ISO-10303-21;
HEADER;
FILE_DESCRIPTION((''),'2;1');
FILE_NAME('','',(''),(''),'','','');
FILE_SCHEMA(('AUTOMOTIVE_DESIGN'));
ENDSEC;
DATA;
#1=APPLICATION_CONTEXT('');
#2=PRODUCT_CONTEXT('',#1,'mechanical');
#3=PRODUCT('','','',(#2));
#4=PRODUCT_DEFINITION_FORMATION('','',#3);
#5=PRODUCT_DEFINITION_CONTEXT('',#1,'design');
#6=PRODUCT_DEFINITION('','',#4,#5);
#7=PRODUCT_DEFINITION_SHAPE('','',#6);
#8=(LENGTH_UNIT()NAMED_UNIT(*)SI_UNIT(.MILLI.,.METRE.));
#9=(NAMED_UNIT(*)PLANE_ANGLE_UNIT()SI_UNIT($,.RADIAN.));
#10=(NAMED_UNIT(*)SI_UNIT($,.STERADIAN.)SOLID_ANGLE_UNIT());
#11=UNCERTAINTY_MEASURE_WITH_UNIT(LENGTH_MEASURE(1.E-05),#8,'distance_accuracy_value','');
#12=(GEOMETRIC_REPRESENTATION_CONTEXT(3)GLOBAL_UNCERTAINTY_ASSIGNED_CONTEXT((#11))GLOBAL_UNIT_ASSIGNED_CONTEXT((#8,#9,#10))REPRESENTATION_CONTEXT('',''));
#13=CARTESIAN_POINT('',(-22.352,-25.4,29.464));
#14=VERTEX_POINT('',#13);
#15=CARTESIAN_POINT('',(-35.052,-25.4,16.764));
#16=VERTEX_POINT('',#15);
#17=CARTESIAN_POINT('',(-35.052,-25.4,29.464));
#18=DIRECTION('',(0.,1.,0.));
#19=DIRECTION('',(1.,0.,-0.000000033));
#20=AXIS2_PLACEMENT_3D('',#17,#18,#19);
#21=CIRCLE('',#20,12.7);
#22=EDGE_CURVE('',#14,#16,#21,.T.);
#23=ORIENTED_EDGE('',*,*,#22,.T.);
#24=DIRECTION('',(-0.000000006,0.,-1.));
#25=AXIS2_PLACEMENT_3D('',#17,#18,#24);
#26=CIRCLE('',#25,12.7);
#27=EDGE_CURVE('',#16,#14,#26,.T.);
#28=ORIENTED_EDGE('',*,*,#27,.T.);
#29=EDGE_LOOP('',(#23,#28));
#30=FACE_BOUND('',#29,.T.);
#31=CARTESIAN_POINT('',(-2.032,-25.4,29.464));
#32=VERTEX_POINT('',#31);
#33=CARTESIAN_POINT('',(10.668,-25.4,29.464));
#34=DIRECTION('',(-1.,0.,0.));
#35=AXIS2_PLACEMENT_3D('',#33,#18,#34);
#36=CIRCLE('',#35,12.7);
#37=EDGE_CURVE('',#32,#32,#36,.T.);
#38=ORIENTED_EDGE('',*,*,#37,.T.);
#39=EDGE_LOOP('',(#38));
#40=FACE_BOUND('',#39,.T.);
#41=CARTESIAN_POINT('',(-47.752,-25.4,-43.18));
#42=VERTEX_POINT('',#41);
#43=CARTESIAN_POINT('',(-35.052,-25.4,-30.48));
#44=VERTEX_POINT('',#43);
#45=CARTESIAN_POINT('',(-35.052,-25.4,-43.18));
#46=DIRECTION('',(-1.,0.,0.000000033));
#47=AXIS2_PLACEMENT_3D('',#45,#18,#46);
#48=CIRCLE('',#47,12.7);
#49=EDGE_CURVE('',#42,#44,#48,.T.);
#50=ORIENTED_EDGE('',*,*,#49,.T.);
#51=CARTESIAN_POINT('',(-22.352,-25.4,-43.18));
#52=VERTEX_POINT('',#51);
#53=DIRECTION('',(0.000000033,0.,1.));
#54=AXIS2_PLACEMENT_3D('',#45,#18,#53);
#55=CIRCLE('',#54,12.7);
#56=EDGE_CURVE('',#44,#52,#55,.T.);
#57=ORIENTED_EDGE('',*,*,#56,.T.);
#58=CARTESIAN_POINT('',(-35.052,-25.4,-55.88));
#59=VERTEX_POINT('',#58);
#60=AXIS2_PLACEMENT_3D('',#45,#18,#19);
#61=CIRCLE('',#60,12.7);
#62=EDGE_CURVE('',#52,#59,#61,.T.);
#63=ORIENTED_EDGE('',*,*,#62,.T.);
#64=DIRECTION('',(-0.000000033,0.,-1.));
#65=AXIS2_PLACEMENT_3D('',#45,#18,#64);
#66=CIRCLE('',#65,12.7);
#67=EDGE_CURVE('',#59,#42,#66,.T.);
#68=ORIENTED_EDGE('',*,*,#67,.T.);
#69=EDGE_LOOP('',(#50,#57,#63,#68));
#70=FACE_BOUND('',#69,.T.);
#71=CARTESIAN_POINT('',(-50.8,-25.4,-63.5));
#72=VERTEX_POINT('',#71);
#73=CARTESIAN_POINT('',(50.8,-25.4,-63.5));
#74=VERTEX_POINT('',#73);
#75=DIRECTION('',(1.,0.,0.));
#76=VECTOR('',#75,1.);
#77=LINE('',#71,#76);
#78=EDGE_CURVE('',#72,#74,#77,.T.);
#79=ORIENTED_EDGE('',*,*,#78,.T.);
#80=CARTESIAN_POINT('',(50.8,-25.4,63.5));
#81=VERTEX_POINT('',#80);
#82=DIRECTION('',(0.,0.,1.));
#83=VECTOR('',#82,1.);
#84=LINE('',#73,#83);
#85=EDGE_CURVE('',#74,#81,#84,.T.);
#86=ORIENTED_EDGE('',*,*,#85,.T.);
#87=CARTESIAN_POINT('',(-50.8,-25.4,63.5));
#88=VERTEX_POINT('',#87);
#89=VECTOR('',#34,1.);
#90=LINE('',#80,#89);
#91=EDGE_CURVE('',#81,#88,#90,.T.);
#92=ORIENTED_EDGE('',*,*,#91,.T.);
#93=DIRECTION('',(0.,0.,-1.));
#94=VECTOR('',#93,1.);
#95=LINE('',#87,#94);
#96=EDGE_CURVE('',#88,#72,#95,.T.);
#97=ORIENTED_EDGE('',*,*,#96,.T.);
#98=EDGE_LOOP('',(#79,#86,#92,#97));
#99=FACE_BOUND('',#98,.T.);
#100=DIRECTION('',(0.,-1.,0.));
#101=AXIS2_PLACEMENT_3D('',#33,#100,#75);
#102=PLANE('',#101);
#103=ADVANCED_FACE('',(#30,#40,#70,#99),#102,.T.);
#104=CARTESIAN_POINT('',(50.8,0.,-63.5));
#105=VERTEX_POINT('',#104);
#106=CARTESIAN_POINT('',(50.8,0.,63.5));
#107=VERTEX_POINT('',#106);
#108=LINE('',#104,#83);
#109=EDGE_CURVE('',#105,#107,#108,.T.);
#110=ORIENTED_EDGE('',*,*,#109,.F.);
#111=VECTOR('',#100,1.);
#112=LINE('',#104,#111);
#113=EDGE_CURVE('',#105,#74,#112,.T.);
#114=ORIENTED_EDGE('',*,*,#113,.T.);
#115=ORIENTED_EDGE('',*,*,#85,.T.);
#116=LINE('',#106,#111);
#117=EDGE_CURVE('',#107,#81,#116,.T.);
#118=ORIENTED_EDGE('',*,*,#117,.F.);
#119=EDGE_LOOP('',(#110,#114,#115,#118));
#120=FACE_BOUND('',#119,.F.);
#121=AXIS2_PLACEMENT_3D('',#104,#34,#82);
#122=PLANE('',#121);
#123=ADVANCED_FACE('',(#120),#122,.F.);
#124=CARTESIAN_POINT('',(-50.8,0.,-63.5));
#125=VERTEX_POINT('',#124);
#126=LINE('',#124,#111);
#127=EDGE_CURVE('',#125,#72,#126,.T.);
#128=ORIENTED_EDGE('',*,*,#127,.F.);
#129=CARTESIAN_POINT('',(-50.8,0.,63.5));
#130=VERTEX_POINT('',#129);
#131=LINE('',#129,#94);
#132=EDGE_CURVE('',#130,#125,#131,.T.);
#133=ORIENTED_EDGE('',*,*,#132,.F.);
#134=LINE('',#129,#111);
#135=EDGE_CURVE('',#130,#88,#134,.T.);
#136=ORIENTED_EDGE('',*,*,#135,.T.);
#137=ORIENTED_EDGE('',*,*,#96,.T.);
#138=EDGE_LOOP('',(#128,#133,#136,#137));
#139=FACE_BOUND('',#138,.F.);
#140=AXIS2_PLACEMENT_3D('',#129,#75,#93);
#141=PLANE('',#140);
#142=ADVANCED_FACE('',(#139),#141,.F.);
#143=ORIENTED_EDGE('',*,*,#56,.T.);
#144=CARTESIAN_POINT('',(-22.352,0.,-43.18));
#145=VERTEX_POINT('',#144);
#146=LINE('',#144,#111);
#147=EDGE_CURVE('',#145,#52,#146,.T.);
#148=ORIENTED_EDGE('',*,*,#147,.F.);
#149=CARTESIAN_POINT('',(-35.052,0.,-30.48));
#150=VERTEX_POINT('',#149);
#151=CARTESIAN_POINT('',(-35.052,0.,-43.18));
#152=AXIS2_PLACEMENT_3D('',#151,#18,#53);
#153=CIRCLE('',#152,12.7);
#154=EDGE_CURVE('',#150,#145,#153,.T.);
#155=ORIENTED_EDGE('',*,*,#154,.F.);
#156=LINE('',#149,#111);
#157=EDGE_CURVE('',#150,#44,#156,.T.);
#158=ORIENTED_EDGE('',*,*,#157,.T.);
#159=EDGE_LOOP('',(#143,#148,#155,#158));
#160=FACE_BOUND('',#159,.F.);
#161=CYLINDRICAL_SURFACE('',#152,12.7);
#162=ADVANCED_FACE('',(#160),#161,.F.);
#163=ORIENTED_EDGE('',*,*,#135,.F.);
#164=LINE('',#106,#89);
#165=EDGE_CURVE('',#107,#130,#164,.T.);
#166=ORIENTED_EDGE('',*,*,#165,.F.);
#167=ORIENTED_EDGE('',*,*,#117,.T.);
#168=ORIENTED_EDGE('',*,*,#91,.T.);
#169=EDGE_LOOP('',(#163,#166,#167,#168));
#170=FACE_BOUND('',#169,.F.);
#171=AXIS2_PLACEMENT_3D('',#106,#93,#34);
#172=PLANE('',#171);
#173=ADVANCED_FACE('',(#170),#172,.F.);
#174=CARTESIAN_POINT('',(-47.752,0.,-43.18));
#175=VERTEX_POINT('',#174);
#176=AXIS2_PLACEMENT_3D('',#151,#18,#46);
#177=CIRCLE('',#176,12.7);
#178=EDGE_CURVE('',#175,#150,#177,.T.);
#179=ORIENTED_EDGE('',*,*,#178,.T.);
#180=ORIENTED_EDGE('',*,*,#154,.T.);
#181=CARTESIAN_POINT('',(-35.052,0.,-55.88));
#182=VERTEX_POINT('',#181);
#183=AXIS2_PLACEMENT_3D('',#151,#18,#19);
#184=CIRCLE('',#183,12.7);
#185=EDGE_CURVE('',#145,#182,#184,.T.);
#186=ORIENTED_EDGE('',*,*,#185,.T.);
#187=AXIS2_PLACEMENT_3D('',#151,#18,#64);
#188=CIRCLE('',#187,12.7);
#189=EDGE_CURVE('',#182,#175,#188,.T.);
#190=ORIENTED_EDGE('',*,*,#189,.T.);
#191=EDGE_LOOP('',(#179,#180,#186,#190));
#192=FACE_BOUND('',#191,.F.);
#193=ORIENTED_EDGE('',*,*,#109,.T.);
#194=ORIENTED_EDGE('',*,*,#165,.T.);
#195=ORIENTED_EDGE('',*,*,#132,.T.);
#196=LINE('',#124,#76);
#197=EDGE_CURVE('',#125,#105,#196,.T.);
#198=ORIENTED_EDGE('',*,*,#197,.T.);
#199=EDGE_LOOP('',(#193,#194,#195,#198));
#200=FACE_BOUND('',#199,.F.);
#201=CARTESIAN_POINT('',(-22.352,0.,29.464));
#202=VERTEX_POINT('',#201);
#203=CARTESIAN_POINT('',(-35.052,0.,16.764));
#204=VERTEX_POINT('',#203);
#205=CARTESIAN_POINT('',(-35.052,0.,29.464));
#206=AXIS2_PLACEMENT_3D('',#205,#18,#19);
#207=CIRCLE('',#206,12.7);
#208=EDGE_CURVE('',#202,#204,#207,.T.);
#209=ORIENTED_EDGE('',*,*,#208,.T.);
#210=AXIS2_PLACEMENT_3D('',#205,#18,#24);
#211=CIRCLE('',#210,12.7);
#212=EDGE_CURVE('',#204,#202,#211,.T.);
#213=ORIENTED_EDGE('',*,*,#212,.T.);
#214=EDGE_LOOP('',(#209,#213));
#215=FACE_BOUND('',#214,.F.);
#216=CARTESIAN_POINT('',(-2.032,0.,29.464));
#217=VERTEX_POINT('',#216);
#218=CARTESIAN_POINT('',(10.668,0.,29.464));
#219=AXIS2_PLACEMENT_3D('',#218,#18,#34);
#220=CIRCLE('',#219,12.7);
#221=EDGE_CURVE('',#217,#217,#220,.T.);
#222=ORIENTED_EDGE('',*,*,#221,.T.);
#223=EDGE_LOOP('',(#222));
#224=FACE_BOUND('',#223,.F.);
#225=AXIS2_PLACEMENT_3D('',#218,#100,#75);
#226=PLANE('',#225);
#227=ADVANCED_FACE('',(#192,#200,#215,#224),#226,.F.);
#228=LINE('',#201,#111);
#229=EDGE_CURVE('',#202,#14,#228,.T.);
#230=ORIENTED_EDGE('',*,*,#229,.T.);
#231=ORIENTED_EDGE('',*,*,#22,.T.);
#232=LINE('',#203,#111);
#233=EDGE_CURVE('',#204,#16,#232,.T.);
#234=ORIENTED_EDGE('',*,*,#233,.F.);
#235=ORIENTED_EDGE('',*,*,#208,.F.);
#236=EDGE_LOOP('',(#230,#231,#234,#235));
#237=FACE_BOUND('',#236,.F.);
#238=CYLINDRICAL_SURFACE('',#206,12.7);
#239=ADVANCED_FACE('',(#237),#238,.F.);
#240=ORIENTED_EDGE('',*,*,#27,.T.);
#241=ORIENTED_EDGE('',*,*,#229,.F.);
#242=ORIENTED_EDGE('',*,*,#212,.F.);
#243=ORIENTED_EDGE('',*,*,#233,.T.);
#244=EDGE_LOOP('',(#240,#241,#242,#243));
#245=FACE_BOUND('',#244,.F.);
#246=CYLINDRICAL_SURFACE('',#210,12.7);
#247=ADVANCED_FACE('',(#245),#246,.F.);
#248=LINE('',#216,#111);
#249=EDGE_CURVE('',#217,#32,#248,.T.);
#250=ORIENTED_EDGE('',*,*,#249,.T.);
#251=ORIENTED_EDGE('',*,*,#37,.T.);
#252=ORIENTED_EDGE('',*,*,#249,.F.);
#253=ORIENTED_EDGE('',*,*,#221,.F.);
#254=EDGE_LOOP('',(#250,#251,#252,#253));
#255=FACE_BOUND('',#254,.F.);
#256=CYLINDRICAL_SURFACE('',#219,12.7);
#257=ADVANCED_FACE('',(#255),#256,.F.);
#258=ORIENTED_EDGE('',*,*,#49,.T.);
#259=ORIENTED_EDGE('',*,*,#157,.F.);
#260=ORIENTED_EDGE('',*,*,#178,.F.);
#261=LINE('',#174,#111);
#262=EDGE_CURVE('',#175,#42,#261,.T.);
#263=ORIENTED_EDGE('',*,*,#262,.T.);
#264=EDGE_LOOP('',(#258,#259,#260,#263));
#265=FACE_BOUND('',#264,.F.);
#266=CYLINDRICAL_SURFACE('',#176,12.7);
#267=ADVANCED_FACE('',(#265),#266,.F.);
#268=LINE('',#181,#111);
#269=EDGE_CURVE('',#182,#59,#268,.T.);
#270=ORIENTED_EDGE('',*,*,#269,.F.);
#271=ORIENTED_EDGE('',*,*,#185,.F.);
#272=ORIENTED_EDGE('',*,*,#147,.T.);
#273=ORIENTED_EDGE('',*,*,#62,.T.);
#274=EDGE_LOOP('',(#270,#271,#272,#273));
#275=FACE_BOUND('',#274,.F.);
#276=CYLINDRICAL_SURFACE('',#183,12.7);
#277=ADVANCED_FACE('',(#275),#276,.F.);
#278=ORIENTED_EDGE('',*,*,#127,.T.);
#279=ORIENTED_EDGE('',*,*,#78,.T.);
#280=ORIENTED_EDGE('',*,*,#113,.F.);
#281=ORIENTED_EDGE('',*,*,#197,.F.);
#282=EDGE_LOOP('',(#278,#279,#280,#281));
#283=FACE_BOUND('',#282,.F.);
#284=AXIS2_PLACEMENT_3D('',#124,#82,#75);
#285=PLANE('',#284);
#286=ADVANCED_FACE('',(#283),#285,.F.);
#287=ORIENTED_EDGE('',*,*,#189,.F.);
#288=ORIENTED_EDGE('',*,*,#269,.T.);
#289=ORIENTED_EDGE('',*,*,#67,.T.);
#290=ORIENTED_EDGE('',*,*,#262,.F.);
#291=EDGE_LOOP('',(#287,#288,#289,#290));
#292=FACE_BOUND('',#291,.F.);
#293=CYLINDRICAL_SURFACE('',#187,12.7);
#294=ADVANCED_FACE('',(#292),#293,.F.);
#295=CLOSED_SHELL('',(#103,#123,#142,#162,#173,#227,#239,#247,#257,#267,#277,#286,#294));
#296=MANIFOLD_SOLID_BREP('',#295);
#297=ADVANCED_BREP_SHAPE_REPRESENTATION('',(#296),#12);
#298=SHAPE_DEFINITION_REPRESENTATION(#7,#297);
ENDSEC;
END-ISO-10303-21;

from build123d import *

# Parameters (mm, degrees)
F1_DEPTH = 25.4


with BuildPart() as f1:
    # F0 (on Front) → F1 (new body)
    with BuildSketch(Plane.XZ):
        with BuildLine():
            ThreePointArc((23.368, 29.464), (10.668, 42.164), (-2.032, 29.464))
            ThreePointArc((-2.032, 29.464), (10.668, 16.764), (23.368, 29.464))
        make_face()
        with BuildLine():
            Line((50.8, 63.5), (-50.8, 63.5))
            Line((-50.8, 63.5), (-50.8, -43.18))
            Line((-50.8, -43.18), (-47.752, -43.18))
            ThreePointArc((-47.752, -43.18), (-44.032256, -34.199744), (-35.052, -30.48))
            ThreePointArc((-35.052, -30.48), (-26.071744, -34.199744), (-22.352, -43.18))
            ThreePointArc((-22.352, -43.18), (-26.071744, -52.160256), (-35.052, -55.88))
            Line((-35.052, -55.88), (-35.052, -63.5))
            Line((-35.052, -63.5), (0, -63.5))
            Line((0, -63.5), (50.8, -63.5))
            Line((50.8, -63.5), (50.8, -12.7))
            Line((50.8, -12.7), (50.8, 63.5))
        make_face()
        with BuildLine():
            ThreePointArc((-22.352, 29.464), (-26.071744, 20.483744), (-35.052, 16.764))
            ThreePointArc((-35.052, 16.764), (-44.032256, 38.444256), (-22.352, 29.464))
        make_face(mode=Mode.SUBTRACT)
        with BuildLine():
            ThreePointArc((23.368, 29.464), (10.668, 16.764), (-2.032, 29.464))
            ThreePointArc((-2.032, 29.464), (10.668, 42.164), (23.368, 29.464))
        make_face(mode=Mode.SUBTRACT)
        with BuildLine():
            Line((-47.752, -43.18), (-50.8, -43.18))
            Line((-50.8, -43.18), (-50.8, -63.5))
            Line((-50.8, -63.5), (-35.052, -63.5))
            Line((-35.052, -63.5), (-35.052, -55.88))
            ThreePointArc((-35.052, -55.88), (-44.032256, -52.160256), (-47.752, -43.18))
        make_face()
    extrude(amount=F1_DEPTH)


solid = f1.part
